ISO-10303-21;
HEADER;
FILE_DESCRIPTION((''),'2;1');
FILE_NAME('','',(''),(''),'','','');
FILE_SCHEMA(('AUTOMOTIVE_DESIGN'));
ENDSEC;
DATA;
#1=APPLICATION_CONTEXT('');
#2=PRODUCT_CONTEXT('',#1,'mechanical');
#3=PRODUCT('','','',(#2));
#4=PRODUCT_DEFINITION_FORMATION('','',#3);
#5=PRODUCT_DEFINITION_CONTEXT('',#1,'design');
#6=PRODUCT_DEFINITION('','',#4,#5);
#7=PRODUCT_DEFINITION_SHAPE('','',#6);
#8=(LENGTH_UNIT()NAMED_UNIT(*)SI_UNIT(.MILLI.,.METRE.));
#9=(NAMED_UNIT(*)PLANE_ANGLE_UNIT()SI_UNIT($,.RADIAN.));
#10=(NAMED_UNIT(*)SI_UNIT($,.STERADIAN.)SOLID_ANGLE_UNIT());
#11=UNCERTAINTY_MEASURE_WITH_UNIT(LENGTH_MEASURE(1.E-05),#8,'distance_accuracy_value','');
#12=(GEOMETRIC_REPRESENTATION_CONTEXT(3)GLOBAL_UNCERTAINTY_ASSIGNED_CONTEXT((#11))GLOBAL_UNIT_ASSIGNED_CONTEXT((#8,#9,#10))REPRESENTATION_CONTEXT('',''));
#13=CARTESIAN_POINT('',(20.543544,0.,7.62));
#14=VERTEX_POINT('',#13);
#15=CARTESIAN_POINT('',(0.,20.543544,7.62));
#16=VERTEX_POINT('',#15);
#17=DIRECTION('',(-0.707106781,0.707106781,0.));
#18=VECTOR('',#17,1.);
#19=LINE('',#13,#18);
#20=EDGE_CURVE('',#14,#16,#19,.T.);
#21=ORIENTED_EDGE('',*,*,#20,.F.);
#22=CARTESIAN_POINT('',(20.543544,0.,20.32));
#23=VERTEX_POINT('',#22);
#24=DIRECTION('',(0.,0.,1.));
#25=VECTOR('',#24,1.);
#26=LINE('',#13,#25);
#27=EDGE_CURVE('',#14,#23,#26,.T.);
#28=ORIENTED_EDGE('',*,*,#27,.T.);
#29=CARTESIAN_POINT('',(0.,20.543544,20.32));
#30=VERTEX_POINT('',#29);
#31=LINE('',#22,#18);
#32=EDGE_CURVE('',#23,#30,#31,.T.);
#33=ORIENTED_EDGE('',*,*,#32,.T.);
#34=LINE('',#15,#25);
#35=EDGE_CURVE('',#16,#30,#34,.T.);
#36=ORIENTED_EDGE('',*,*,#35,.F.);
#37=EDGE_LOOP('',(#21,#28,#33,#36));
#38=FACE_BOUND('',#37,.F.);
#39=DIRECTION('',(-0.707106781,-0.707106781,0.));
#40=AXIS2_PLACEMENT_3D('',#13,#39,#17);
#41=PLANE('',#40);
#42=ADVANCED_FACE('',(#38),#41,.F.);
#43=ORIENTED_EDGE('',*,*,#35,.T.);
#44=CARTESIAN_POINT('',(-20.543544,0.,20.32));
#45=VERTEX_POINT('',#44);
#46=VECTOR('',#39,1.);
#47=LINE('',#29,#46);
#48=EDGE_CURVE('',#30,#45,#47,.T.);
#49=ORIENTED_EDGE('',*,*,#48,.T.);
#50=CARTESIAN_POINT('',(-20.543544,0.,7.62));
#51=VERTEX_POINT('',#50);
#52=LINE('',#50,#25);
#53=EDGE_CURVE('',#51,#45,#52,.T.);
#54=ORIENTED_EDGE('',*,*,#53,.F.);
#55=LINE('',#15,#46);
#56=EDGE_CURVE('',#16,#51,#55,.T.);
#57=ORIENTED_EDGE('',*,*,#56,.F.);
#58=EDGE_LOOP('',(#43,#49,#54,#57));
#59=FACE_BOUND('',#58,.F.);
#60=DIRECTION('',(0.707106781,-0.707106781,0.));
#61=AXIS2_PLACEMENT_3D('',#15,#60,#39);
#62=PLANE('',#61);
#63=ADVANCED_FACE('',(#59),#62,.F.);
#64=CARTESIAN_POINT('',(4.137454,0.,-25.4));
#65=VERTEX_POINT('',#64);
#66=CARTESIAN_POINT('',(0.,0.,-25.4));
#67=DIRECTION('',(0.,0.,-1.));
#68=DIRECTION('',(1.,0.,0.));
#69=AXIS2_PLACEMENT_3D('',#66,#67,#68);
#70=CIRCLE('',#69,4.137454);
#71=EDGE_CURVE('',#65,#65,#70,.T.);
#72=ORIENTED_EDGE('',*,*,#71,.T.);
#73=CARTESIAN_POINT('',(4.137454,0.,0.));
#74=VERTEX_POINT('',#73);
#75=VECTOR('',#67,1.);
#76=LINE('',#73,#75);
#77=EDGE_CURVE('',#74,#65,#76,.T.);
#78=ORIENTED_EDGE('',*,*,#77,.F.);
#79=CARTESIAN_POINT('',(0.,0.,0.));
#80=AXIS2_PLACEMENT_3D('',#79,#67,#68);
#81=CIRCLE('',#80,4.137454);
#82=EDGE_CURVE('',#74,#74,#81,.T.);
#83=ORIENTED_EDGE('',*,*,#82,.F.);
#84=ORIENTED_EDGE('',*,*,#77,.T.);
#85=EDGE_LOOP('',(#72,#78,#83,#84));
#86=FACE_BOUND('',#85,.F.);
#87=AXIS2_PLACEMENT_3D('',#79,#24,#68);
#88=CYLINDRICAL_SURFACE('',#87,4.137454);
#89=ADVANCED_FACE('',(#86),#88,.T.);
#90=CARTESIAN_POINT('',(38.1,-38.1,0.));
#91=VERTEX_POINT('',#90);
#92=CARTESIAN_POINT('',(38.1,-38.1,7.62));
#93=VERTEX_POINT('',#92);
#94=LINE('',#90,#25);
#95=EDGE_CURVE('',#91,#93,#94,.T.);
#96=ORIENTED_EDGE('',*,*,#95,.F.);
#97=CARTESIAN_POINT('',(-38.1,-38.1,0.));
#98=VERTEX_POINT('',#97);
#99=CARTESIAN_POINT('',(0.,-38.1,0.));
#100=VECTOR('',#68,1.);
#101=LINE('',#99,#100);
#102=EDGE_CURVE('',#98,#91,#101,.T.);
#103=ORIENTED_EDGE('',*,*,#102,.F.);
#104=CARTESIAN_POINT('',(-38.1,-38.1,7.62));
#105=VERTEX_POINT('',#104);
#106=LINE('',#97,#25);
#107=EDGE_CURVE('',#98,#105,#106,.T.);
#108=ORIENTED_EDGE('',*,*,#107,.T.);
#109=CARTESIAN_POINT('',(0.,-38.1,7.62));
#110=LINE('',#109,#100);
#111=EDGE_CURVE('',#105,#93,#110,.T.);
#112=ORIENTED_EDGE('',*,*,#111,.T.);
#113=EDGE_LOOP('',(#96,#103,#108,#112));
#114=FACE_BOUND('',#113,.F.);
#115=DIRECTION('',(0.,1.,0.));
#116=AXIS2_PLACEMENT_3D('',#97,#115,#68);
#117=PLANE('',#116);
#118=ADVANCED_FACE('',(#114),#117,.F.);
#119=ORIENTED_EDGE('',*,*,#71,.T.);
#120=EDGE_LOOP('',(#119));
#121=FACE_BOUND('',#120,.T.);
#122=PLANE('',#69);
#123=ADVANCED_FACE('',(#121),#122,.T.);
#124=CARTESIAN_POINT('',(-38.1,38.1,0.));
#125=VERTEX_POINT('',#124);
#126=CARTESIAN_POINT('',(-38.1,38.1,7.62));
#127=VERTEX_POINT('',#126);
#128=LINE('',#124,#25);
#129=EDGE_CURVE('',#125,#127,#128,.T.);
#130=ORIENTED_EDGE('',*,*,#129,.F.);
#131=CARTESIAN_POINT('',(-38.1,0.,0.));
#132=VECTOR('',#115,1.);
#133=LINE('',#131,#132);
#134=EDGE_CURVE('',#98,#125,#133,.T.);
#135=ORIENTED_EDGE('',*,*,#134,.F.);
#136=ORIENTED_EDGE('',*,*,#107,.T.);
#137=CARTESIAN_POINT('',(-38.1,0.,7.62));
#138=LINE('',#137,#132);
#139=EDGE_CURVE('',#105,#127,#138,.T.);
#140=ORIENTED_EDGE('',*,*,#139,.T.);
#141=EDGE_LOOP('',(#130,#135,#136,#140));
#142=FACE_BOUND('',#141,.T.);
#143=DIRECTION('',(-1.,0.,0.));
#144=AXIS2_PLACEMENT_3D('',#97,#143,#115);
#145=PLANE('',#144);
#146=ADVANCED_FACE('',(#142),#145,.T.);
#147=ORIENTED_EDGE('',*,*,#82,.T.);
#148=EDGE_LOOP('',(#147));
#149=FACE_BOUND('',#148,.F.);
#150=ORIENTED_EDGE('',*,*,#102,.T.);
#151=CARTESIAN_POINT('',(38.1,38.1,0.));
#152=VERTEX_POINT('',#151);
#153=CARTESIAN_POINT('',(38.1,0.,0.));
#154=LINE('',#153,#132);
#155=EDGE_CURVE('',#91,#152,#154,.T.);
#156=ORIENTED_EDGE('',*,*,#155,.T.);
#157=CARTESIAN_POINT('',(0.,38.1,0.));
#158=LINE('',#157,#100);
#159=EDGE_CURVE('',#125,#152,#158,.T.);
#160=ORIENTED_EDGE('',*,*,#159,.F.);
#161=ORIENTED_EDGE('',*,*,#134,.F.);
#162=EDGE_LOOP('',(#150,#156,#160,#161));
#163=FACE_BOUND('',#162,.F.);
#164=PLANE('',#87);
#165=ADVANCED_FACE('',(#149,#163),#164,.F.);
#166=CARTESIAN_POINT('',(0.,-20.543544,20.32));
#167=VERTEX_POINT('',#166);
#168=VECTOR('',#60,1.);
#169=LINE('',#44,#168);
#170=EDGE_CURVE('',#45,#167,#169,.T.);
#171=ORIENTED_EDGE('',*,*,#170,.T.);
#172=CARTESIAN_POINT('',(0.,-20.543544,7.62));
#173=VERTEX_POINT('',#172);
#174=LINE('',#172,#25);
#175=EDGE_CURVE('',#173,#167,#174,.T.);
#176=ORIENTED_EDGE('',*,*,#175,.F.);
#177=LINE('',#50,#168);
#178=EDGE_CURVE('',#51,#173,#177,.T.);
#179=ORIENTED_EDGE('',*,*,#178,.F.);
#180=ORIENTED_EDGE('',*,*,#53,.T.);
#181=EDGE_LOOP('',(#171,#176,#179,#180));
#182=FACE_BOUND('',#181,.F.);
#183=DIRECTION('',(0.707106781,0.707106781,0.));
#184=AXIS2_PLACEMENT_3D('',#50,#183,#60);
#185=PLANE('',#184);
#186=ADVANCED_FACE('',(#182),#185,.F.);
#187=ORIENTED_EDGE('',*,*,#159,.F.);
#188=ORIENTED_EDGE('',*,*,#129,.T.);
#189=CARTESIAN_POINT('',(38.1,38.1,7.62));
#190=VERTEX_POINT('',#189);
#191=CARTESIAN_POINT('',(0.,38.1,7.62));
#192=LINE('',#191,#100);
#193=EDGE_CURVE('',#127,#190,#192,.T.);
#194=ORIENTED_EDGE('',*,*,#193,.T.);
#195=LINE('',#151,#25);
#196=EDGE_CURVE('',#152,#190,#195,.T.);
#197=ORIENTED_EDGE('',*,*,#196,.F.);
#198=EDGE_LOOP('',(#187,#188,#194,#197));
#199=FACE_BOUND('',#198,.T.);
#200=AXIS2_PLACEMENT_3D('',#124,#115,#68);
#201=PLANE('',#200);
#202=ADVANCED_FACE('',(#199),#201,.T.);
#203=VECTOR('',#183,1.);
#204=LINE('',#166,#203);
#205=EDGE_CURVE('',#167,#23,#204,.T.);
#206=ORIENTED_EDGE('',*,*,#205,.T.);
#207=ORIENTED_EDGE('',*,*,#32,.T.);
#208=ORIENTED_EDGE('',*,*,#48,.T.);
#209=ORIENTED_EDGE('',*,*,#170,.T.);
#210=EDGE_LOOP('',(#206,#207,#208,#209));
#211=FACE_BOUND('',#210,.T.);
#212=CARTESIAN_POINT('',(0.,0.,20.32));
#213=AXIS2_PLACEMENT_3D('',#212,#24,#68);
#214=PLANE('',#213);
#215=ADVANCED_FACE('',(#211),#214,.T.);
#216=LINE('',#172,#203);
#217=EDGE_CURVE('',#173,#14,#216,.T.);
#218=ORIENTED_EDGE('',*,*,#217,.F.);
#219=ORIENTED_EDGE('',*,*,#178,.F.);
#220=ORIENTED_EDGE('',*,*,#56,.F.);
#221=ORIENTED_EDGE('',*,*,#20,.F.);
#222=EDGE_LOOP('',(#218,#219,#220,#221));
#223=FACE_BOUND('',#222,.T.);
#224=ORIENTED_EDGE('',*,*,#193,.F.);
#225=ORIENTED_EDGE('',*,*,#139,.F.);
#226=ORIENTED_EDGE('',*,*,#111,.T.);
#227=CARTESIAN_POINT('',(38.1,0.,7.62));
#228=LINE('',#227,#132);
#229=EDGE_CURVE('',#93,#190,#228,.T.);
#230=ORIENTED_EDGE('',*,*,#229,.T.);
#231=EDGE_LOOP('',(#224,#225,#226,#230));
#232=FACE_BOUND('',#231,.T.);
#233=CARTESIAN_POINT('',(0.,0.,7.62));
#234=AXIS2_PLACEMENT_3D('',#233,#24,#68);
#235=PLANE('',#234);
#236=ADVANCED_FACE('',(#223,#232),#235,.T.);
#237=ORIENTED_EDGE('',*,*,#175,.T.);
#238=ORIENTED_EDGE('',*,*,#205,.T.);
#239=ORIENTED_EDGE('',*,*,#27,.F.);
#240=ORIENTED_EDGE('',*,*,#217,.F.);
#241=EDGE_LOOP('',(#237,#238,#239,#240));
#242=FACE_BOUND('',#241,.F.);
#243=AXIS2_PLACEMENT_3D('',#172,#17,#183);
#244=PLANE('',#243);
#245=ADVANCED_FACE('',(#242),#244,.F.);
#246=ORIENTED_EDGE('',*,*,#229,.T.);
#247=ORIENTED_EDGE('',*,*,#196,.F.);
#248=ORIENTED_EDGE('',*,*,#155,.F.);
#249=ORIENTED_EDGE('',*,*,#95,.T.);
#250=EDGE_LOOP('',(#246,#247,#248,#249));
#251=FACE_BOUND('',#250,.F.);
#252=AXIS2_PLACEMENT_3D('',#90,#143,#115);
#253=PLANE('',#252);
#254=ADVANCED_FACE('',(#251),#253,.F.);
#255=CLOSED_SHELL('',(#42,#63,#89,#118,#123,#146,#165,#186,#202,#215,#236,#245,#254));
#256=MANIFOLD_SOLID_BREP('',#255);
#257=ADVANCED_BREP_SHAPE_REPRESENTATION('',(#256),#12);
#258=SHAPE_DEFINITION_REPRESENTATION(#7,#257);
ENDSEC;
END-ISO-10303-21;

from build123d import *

# Parameters (mm, degrees)
F0_W     = 76.2
F0_H     = 76.2
F1_DEPTH = 7.62
F3_DEPTH = 12.7
F4_R     = 4.137454
F5_DEPTH = 25.4


with BuildPart() as f1:
    # F0 (on Top) → F1 (new body)
    with BuildSketch(Plane.XY):
        Rectangle(F0_W, F0_H)
    extrude(amount=F1_DEPTH)

    # F2 (on face) → F3 (join)
    with BuildSketch(Plane.XY.offset(7.62)):
        Polygon((-20.543544, 0), (0, -20.543544), (20.543544, 0), (0, 20.543544), align=None)
    extrude(amount=F3_DEPTH)

    # F4 (on face) → F5 (join)
    with BuildSketch(Plane(origin=(0, 0, 0), x_dir=(1, 0, 0), z_dir=(0, 0, -1))):
        Circle(F4_R)
    extrude(amount=F5_DEPTH)


solid = f1.part
